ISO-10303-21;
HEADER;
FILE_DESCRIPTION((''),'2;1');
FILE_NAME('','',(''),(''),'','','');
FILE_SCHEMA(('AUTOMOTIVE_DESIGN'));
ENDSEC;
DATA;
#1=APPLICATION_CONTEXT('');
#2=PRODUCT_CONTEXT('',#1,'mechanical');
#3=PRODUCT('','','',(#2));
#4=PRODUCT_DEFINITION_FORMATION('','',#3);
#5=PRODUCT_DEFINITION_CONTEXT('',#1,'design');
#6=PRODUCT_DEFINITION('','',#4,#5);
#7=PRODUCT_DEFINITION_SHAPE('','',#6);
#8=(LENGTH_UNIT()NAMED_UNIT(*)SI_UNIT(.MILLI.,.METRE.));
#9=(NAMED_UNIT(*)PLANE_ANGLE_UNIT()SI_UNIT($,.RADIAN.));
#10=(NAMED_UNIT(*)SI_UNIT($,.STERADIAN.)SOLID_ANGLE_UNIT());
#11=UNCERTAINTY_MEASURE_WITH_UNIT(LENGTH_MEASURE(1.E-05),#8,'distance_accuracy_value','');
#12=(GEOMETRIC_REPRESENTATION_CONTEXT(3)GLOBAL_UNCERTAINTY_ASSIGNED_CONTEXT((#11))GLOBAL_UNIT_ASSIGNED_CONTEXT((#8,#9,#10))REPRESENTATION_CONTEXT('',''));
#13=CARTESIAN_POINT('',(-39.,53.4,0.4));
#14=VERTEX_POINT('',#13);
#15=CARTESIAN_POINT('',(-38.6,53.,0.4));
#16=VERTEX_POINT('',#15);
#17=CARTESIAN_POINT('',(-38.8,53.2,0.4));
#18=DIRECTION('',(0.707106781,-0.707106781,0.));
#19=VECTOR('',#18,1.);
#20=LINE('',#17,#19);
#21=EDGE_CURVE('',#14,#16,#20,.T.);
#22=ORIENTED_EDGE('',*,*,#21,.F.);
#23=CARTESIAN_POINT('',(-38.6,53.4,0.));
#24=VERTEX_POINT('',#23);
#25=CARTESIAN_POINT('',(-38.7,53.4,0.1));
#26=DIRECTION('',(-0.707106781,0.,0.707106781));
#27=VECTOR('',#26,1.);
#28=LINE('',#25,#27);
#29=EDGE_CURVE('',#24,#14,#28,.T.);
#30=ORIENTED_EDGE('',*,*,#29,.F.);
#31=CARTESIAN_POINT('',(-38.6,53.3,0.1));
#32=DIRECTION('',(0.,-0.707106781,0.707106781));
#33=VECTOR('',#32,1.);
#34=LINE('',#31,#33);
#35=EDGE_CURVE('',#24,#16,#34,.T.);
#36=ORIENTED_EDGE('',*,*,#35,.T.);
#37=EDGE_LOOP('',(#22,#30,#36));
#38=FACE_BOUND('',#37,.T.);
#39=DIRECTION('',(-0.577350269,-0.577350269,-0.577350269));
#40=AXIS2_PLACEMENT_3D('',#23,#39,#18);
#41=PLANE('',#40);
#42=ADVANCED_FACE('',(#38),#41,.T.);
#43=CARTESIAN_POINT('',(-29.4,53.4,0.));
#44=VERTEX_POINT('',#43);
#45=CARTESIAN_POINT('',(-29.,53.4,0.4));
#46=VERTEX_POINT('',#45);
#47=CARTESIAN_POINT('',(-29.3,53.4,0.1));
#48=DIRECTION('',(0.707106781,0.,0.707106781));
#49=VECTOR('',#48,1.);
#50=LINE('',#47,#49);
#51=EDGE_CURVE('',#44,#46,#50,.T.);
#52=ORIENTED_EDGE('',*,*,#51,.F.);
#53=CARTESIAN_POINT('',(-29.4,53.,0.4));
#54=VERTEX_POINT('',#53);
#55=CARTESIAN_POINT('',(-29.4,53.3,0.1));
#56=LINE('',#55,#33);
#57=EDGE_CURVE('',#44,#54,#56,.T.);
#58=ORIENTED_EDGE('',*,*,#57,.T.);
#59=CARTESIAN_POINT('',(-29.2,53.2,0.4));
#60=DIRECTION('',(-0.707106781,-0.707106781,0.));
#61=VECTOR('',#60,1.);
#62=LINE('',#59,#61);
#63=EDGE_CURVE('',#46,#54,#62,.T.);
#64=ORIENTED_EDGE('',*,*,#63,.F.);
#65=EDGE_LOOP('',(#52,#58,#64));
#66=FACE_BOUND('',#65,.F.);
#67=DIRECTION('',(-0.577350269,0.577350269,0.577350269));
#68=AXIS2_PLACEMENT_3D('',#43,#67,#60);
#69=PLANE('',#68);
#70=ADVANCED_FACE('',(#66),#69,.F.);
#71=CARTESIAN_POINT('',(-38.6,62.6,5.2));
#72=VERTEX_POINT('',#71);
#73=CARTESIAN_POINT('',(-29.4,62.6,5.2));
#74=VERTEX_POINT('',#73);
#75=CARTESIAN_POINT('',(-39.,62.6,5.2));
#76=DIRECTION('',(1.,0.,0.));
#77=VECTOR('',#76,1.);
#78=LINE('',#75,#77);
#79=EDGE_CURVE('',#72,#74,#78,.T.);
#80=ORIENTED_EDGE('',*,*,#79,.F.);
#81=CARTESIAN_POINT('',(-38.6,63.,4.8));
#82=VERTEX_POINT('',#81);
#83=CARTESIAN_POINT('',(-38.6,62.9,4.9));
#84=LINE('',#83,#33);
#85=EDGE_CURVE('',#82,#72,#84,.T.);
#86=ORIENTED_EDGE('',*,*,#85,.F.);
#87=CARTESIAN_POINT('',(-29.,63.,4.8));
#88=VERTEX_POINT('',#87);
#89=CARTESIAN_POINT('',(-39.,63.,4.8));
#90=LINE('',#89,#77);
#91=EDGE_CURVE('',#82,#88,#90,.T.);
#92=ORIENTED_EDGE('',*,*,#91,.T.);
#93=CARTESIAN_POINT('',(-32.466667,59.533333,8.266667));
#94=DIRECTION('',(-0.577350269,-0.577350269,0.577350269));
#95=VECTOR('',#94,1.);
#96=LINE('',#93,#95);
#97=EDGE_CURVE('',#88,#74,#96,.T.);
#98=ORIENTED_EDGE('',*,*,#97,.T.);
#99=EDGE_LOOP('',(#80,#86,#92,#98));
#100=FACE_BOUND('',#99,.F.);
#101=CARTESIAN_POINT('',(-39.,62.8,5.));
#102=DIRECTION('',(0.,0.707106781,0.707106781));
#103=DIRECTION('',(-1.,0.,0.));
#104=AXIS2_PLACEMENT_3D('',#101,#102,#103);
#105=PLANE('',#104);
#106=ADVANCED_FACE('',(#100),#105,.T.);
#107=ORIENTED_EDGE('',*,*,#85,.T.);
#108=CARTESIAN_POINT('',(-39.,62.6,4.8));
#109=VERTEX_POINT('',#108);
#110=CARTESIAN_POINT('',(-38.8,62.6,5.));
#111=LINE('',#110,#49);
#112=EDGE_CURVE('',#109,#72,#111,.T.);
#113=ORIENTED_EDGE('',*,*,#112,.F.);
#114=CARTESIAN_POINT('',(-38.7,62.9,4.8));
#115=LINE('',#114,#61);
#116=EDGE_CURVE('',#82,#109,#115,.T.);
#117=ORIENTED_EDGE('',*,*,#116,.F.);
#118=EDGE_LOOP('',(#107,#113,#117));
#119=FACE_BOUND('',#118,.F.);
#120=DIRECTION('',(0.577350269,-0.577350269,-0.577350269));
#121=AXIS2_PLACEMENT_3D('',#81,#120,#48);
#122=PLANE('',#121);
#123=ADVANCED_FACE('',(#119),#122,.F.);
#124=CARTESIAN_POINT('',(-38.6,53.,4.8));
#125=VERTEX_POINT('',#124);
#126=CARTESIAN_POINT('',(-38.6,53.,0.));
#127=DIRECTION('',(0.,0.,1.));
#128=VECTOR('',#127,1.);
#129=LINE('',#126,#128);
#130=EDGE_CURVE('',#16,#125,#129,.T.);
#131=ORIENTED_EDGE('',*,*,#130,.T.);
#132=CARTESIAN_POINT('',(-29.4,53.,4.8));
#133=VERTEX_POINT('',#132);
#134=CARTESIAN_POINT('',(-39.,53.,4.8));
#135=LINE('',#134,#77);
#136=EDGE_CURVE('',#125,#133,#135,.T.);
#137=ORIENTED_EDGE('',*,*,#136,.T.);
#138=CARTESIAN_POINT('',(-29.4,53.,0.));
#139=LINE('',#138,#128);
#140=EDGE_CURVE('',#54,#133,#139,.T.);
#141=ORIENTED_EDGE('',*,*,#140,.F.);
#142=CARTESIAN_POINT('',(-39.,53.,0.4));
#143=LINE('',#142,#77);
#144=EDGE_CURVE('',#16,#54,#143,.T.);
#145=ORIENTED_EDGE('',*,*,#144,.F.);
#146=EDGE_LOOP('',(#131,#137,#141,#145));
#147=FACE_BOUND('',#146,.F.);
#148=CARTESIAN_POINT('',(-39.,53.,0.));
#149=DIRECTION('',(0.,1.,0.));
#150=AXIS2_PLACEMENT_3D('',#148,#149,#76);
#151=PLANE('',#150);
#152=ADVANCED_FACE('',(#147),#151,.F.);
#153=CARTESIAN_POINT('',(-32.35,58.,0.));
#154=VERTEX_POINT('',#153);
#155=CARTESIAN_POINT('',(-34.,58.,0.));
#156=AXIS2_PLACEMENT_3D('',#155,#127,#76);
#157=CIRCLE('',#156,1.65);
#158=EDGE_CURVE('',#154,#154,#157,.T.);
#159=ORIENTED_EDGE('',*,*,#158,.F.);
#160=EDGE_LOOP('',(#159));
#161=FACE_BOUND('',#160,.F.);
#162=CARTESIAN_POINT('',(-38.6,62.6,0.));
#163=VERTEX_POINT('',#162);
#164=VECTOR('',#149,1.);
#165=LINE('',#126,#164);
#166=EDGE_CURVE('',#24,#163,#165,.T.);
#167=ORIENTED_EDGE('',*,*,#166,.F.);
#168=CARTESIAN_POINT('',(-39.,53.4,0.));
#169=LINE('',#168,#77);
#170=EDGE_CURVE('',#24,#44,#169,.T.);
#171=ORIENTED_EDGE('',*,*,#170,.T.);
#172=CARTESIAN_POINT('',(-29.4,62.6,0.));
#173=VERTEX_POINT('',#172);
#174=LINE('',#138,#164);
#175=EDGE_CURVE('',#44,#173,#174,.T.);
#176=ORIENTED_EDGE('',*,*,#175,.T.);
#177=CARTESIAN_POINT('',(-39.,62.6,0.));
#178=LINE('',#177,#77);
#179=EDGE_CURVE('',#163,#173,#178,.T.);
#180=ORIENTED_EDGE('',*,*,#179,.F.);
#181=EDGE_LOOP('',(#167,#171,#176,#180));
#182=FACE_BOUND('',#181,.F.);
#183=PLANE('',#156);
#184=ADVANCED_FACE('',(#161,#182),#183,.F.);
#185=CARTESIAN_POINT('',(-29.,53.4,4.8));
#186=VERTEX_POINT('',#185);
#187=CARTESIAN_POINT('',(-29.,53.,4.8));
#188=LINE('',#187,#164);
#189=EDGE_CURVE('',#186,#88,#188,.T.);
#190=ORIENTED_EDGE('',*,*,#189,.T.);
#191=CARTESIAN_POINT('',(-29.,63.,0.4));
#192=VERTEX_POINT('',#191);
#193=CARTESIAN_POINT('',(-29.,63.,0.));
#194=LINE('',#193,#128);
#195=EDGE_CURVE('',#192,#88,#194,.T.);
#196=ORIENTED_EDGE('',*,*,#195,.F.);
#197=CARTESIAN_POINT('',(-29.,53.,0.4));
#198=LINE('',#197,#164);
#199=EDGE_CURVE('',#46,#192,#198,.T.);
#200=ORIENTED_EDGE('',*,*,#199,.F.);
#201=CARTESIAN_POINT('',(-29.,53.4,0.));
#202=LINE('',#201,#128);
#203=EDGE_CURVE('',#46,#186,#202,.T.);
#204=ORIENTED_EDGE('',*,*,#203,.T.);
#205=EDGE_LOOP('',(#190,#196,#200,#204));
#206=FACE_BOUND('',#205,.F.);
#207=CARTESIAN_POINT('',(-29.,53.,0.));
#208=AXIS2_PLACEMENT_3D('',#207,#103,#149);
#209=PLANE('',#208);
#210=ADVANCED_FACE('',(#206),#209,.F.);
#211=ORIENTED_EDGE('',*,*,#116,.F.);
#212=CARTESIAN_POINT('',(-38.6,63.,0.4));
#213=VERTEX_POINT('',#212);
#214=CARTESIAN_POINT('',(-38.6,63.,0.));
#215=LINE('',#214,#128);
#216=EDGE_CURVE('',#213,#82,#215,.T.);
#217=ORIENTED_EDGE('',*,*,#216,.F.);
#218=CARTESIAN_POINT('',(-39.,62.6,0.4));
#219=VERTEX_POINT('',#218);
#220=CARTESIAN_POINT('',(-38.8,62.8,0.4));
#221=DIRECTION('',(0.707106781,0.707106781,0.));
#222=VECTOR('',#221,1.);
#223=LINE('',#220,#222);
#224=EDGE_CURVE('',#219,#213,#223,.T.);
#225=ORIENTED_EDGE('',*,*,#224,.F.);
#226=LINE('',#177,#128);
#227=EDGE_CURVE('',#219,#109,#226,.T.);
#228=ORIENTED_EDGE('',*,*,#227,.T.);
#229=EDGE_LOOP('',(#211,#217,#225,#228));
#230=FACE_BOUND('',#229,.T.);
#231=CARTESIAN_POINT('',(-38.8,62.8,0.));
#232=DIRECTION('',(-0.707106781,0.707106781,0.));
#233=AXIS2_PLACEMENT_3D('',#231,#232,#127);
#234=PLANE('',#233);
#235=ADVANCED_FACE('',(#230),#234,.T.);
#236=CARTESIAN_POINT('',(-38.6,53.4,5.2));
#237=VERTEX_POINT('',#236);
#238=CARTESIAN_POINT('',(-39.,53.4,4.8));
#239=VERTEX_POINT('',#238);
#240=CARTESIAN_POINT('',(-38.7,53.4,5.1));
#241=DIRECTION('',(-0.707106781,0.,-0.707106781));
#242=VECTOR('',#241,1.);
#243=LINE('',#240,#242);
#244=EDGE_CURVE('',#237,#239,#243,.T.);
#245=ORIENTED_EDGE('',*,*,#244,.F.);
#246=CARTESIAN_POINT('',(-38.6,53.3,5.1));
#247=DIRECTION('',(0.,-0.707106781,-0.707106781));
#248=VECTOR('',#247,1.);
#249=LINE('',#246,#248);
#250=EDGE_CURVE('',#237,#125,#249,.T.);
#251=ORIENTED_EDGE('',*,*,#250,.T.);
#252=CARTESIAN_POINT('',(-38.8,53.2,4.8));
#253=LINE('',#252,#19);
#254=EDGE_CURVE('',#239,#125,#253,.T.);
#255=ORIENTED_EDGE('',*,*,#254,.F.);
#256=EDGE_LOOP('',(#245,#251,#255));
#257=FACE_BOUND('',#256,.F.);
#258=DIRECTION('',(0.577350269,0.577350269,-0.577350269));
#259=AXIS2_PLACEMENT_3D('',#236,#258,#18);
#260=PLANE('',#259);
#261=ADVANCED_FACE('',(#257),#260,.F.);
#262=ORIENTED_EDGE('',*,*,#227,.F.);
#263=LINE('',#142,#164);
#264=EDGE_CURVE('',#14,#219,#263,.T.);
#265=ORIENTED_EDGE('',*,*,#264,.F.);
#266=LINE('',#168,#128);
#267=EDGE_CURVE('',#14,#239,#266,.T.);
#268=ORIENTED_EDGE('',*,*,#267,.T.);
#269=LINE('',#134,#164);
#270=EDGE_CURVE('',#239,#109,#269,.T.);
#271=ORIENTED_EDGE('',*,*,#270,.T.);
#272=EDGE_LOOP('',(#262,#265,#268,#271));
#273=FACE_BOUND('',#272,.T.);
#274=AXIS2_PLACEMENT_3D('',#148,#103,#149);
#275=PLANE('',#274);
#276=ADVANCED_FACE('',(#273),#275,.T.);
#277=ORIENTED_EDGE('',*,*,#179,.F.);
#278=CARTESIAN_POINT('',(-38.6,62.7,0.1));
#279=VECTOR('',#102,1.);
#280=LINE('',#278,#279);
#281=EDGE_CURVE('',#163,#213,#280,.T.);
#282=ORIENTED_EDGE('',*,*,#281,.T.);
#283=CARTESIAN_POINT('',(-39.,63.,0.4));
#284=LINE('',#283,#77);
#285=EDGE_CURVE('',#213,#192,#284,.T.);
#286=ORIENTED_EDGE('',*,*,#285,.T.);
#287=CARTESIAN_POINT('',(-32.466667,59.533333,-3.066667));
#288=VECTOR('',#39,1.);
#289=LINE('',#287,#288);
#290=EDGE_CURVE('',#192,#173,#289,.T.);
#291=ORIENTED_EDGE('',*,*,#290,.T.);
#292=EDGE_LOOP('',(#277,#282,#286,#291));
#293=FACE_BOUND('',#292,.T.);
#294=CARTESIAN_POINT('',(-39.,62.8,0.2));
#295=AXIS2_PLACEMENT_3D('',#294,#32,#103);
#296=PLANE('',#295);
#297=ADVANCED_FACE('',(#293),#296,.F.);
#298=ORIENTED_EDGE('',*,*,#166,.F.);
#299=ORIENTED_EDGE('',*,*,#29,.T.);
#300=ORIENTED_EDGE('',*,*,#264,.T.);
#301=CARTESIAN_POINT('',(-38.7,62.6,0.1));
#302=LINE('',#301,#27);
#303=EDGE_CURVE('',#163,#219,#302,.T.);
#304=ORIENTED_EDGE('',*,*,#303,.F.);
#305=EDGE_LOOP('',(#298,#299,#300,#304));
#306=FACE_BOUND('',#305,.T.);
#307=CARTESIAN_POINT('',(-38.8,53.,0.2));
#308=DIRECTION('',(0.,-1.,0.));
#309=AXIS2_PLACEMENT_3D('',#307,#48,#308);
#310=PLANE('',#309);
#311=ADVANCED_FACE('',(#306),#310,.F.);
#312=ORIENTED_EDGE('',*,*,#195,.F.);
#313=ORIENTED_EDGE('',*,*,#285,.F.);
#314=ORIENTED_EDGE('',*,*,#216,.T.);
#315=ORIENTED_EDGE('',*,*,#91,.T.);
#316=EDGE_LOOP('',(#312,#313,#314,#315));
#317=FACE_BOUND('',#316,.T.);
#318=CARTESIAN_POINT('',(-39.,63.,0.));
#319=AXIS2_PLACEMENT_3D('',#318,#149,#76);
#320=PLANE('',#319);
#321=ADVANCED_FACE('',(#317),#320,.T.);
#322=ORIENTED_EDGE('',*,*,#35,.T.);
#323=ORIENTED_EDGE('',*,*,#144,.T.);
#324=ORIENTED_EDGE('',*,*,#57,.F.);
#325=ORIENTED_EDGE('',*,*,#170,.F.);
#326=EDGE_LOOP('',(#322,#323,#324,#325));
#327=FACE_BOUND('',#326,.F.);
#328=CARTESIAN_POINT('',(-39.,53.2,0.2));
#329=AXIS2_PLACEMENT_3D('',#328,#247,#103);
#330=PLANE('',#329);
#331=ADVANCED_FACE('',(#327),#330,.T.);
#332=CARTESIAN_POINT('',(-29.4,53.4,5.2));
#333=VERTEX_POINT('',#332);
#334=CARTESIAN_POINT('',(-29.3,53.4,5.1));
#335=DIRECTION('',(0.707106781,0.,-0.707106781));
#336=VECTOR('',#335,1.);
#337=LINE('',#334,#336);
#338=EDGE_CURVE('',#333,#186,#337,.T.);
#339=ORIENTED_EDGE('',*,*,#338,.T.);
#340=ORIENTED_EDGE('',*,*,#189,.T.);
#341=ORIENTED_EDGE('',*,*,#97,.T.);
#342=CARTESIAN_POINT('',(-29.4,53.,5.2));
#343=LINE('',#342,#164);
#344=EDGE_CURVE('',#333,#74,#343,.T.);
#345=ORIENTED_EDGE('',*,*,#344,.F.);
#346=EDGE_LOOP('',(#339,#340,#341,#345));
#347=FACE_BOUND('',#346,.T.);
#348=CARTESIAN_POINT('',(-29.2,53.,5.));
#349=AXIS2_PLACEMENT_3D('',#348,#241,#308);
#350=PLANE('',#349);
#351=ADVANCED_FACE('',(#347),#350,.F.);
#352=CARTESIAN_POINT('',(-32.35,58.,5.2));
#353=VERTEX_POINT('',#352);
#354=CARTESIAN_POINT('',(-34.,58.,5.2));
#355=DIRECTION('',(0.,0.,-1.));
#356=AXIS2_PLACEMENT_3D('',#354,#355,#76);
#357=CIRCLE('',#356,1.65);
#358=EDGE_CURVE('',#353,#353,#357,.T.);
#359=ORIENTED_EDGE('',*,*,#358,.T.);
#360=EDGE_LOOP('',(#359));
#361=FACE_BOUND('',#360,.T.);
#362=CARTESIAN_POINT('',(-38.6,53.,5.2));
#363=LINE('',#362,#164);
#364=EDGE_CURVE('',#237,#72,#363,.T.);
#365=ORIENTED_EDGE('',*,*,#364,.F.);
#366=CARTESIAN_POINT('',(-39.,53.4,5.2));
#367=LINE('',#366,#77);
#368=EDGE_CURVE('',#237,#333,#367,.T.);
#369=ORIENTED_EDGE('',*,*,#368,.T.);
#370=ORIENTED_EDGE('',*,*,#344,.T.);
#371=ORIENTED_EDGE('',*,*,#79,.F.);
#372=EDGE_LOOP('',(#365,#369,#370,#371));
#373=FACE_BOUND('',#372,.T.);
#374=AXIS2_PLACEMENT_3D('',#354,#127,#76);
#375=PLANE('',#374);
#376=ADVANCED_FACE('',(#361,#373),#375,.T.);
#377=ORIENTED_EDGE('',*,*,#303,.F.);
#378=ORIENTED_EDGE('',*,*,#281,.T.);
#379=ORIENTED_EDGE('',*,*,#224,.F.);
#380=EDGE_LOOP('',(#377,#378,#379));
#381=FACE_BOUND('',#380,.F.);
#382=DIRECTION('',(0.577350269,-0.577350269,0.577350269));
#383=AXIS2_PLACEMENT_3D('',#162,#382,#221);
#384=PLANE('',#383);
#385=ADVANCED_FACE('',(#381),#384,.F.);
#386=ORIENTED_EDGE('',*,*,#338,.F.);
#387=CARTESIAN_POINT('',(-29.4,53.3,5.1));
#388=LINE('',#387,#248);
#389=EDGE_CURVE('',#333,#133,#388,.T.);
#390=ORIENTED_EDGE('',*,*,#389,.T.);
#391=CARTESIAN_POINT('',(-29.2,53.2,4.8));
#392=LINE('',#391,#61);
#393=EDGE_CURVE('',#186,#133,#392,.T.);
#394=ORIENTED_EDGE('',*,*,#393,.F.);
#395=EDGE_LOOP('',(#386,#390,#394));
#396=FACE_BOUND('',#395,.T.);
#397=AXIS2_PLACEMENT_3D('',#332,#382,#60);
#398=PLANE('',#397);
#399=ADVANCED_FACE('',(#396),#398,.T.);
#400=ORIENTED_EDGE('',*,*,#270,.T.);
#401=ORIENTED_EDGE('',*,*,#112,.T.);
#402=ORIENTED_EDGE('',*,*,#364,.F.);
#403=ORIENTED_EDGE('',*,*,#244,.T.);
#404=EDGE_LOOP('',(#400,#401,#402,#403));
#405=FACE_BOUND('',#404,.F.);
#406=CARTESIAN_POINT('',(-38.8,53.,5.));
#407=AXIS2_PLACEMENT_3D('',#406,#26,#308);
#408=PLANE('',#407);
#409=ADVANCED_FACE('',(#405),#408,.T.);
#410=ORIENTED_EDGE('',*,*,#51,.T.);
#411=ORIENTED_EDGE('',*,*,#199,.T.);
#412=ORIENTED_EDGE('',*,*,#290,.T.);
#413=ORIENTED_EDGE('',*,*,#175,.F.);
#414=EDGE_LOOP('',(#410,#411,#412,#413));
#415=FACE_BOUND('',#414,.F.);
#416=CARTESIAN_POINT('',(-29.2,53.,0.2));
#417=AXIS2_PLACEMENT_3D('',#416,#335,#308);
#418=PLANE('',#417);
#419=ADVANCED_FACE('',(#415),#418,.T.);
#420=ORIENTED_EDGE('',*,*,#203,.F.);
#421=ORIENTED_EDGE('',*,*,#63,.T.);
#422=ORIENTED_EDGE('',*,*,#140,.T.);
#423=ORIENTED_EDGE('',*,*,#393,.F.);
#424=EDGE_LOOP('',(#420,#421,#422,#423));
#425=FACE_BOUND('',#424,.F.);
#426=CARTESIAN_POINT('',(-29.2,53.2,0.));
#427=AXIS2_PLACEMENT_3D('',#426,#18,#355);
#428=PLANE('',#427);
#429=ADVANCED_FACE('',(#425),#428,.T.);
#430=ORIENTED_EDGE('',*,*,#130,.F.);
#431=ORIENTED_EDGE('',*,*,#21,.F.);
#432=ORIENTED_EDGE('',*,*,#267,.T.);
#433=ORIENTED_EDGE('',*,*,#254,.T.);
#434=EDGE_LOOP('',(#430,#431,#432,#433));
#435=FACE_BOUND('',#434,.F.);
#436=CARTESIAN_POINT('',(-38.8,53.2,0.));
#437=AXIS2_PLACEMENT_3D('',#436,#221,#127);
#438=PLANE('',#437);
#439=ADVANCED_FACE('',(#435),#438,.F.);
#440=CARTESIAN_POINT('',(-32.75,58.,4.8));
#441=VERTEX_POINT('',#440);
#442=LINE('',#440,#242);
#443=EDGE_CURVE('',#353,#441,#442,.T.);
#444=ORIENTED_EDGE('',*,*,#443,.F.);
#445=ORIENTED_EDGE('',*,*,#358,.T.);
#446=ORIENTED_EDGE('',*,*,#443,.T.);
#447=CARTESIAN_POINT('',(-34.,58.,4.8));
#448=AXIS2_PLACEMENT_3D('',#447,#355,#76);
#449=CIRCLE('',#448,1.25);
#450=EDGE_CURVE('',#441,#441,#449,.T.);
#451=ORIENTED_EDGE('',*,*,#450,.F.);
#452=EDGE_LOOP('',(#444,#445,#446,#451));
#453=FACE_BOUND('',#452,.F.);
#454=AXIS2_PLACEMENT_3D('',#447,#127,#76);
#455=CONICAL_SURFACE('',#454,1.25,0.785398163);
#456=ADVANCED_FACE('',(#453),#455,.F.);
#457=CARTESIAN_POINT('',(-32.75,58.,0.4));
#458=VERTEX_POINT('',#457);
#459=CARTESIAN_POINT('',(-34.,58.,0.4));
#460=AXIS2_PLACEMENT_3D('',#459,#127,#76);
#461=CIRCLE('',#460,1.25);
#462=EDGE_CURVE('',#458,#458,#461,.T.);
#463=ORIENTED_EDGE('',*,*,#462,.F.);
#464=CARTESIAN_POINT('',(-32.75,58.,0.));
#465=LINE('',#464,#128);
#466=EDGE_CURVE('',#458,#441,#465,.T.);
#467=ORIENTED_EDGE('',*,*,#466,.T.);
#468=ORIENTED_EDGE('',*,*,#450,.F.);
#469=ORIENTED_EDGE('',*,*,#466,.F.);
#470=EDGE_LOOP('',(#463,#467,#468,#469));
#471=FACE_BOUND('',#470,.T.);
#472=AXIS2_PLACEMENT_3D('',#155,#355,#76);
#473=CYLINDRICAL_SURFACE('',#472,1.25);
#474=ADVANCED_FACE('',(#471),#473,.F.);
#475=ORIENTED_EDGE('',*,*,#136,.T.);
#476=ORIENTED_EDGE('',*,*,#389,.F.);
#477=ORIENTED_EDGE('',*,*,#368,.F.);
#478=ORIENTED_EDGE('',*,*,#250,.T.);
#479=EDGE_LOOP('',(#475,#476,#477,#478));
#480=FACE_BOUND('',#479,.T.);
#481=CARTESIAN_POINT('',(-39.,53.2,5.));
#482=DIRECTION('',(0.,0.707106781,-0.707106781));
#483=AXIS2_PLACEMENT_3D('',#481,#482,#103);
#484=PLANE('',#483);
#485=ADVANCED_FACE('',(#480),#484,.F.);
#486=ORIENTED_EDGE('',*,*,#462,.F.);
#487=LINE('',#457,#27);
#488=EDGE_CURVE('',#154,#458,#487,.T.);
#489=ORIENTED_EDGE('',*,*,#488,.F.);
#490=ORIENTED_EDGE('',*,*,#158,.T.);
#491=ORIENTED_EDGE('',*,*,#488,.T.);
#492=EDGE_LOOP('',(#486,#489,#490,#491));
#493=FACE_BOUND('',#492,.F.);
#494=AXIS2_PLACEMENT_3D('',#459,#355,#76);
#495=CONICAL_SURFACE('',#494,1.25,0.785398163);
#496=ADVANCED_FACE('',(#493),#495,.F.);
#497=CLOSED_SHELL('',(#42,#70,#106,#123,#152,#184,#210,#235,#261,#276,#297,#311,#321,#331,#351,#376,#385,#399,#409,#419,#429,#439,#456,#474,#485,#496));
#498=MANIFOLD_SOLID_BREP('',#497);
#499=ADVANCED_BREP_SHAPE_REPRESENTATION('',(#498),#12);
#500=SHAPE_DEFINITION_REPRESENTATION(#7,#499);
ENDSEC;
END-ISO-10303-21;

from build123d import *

# Parameters (mm, degrees)
CYLINDER018_R      = 1.25
CYLINDER018_DEPTH  = 10
BOX009_W           = 10
BOX009_H           = 10
BOX009_DEPTH       = 5.2
CHAMFER005009_SIZE = 0.4
CHAMFER005010_SIZE = 0.4


with BuildPart() as cylinder018:
    # Cylinder018 → Cylinder018 (new body)
    with BuildSketch(Plane.XY):
        Circle(CYLINDER018_R)
    extrude(amount=CYLINDER018_DEPTH)


with BuildPart() as self_tapping_nut:
    # Box009 → Box009 (new body)
    with BuildSketch(Plane(origin=(-5, -5, 0), x_dir=(1, 0, 0), z_dir=(0, 0, 1))):
        with Locations((5, 5)):
            Rectangle(BOX009_W, BOX009_H)
    extrude(amount=BOX009_DEPTH)

    # Chamfer005009
    chamfer005009_edges = [self_tapping_nut.edges().sort_by_distance(p)[0] for p in [
        (-5, -5, 2.6),
        (-5, 0, 5.2),
        (-5, 5, 2.6),
        (-5, 0, 0),
        (5, -5, 2.6),
        (5, 0, 5.2),
        (5, 0, 0),
        (0, -5, 0),
        (0, -5, 5.2),
        (0, 5, 0),
        (0, 5, 5.2),
    ]]
    chamfer(chamfer005009_edges, length=CHAMFER005009_SIZE)

    # Cut007: cut Cylinder018
    add(cylinder018.part, mode=Mode.SUBTRACT)

    # Chamfer005010
    chamfer005010_edges = [self_tapping_nut.edges().sort_by_distance(p)[0] for p in [
        (-1.25, 0, 0),
        (-1.25, 0, 5.2),
    ]]
    chamfer(chamfer005010_edges, length=CHAMFER005010_SIZE)


with BuildPart() as self_tapping_nut_1:
    # Chamfer005010 placement: moved
    add(self_tapping_nut.part.moved(Location((-34, 58, 0))))


solid = self_tapping_nut_1.part
